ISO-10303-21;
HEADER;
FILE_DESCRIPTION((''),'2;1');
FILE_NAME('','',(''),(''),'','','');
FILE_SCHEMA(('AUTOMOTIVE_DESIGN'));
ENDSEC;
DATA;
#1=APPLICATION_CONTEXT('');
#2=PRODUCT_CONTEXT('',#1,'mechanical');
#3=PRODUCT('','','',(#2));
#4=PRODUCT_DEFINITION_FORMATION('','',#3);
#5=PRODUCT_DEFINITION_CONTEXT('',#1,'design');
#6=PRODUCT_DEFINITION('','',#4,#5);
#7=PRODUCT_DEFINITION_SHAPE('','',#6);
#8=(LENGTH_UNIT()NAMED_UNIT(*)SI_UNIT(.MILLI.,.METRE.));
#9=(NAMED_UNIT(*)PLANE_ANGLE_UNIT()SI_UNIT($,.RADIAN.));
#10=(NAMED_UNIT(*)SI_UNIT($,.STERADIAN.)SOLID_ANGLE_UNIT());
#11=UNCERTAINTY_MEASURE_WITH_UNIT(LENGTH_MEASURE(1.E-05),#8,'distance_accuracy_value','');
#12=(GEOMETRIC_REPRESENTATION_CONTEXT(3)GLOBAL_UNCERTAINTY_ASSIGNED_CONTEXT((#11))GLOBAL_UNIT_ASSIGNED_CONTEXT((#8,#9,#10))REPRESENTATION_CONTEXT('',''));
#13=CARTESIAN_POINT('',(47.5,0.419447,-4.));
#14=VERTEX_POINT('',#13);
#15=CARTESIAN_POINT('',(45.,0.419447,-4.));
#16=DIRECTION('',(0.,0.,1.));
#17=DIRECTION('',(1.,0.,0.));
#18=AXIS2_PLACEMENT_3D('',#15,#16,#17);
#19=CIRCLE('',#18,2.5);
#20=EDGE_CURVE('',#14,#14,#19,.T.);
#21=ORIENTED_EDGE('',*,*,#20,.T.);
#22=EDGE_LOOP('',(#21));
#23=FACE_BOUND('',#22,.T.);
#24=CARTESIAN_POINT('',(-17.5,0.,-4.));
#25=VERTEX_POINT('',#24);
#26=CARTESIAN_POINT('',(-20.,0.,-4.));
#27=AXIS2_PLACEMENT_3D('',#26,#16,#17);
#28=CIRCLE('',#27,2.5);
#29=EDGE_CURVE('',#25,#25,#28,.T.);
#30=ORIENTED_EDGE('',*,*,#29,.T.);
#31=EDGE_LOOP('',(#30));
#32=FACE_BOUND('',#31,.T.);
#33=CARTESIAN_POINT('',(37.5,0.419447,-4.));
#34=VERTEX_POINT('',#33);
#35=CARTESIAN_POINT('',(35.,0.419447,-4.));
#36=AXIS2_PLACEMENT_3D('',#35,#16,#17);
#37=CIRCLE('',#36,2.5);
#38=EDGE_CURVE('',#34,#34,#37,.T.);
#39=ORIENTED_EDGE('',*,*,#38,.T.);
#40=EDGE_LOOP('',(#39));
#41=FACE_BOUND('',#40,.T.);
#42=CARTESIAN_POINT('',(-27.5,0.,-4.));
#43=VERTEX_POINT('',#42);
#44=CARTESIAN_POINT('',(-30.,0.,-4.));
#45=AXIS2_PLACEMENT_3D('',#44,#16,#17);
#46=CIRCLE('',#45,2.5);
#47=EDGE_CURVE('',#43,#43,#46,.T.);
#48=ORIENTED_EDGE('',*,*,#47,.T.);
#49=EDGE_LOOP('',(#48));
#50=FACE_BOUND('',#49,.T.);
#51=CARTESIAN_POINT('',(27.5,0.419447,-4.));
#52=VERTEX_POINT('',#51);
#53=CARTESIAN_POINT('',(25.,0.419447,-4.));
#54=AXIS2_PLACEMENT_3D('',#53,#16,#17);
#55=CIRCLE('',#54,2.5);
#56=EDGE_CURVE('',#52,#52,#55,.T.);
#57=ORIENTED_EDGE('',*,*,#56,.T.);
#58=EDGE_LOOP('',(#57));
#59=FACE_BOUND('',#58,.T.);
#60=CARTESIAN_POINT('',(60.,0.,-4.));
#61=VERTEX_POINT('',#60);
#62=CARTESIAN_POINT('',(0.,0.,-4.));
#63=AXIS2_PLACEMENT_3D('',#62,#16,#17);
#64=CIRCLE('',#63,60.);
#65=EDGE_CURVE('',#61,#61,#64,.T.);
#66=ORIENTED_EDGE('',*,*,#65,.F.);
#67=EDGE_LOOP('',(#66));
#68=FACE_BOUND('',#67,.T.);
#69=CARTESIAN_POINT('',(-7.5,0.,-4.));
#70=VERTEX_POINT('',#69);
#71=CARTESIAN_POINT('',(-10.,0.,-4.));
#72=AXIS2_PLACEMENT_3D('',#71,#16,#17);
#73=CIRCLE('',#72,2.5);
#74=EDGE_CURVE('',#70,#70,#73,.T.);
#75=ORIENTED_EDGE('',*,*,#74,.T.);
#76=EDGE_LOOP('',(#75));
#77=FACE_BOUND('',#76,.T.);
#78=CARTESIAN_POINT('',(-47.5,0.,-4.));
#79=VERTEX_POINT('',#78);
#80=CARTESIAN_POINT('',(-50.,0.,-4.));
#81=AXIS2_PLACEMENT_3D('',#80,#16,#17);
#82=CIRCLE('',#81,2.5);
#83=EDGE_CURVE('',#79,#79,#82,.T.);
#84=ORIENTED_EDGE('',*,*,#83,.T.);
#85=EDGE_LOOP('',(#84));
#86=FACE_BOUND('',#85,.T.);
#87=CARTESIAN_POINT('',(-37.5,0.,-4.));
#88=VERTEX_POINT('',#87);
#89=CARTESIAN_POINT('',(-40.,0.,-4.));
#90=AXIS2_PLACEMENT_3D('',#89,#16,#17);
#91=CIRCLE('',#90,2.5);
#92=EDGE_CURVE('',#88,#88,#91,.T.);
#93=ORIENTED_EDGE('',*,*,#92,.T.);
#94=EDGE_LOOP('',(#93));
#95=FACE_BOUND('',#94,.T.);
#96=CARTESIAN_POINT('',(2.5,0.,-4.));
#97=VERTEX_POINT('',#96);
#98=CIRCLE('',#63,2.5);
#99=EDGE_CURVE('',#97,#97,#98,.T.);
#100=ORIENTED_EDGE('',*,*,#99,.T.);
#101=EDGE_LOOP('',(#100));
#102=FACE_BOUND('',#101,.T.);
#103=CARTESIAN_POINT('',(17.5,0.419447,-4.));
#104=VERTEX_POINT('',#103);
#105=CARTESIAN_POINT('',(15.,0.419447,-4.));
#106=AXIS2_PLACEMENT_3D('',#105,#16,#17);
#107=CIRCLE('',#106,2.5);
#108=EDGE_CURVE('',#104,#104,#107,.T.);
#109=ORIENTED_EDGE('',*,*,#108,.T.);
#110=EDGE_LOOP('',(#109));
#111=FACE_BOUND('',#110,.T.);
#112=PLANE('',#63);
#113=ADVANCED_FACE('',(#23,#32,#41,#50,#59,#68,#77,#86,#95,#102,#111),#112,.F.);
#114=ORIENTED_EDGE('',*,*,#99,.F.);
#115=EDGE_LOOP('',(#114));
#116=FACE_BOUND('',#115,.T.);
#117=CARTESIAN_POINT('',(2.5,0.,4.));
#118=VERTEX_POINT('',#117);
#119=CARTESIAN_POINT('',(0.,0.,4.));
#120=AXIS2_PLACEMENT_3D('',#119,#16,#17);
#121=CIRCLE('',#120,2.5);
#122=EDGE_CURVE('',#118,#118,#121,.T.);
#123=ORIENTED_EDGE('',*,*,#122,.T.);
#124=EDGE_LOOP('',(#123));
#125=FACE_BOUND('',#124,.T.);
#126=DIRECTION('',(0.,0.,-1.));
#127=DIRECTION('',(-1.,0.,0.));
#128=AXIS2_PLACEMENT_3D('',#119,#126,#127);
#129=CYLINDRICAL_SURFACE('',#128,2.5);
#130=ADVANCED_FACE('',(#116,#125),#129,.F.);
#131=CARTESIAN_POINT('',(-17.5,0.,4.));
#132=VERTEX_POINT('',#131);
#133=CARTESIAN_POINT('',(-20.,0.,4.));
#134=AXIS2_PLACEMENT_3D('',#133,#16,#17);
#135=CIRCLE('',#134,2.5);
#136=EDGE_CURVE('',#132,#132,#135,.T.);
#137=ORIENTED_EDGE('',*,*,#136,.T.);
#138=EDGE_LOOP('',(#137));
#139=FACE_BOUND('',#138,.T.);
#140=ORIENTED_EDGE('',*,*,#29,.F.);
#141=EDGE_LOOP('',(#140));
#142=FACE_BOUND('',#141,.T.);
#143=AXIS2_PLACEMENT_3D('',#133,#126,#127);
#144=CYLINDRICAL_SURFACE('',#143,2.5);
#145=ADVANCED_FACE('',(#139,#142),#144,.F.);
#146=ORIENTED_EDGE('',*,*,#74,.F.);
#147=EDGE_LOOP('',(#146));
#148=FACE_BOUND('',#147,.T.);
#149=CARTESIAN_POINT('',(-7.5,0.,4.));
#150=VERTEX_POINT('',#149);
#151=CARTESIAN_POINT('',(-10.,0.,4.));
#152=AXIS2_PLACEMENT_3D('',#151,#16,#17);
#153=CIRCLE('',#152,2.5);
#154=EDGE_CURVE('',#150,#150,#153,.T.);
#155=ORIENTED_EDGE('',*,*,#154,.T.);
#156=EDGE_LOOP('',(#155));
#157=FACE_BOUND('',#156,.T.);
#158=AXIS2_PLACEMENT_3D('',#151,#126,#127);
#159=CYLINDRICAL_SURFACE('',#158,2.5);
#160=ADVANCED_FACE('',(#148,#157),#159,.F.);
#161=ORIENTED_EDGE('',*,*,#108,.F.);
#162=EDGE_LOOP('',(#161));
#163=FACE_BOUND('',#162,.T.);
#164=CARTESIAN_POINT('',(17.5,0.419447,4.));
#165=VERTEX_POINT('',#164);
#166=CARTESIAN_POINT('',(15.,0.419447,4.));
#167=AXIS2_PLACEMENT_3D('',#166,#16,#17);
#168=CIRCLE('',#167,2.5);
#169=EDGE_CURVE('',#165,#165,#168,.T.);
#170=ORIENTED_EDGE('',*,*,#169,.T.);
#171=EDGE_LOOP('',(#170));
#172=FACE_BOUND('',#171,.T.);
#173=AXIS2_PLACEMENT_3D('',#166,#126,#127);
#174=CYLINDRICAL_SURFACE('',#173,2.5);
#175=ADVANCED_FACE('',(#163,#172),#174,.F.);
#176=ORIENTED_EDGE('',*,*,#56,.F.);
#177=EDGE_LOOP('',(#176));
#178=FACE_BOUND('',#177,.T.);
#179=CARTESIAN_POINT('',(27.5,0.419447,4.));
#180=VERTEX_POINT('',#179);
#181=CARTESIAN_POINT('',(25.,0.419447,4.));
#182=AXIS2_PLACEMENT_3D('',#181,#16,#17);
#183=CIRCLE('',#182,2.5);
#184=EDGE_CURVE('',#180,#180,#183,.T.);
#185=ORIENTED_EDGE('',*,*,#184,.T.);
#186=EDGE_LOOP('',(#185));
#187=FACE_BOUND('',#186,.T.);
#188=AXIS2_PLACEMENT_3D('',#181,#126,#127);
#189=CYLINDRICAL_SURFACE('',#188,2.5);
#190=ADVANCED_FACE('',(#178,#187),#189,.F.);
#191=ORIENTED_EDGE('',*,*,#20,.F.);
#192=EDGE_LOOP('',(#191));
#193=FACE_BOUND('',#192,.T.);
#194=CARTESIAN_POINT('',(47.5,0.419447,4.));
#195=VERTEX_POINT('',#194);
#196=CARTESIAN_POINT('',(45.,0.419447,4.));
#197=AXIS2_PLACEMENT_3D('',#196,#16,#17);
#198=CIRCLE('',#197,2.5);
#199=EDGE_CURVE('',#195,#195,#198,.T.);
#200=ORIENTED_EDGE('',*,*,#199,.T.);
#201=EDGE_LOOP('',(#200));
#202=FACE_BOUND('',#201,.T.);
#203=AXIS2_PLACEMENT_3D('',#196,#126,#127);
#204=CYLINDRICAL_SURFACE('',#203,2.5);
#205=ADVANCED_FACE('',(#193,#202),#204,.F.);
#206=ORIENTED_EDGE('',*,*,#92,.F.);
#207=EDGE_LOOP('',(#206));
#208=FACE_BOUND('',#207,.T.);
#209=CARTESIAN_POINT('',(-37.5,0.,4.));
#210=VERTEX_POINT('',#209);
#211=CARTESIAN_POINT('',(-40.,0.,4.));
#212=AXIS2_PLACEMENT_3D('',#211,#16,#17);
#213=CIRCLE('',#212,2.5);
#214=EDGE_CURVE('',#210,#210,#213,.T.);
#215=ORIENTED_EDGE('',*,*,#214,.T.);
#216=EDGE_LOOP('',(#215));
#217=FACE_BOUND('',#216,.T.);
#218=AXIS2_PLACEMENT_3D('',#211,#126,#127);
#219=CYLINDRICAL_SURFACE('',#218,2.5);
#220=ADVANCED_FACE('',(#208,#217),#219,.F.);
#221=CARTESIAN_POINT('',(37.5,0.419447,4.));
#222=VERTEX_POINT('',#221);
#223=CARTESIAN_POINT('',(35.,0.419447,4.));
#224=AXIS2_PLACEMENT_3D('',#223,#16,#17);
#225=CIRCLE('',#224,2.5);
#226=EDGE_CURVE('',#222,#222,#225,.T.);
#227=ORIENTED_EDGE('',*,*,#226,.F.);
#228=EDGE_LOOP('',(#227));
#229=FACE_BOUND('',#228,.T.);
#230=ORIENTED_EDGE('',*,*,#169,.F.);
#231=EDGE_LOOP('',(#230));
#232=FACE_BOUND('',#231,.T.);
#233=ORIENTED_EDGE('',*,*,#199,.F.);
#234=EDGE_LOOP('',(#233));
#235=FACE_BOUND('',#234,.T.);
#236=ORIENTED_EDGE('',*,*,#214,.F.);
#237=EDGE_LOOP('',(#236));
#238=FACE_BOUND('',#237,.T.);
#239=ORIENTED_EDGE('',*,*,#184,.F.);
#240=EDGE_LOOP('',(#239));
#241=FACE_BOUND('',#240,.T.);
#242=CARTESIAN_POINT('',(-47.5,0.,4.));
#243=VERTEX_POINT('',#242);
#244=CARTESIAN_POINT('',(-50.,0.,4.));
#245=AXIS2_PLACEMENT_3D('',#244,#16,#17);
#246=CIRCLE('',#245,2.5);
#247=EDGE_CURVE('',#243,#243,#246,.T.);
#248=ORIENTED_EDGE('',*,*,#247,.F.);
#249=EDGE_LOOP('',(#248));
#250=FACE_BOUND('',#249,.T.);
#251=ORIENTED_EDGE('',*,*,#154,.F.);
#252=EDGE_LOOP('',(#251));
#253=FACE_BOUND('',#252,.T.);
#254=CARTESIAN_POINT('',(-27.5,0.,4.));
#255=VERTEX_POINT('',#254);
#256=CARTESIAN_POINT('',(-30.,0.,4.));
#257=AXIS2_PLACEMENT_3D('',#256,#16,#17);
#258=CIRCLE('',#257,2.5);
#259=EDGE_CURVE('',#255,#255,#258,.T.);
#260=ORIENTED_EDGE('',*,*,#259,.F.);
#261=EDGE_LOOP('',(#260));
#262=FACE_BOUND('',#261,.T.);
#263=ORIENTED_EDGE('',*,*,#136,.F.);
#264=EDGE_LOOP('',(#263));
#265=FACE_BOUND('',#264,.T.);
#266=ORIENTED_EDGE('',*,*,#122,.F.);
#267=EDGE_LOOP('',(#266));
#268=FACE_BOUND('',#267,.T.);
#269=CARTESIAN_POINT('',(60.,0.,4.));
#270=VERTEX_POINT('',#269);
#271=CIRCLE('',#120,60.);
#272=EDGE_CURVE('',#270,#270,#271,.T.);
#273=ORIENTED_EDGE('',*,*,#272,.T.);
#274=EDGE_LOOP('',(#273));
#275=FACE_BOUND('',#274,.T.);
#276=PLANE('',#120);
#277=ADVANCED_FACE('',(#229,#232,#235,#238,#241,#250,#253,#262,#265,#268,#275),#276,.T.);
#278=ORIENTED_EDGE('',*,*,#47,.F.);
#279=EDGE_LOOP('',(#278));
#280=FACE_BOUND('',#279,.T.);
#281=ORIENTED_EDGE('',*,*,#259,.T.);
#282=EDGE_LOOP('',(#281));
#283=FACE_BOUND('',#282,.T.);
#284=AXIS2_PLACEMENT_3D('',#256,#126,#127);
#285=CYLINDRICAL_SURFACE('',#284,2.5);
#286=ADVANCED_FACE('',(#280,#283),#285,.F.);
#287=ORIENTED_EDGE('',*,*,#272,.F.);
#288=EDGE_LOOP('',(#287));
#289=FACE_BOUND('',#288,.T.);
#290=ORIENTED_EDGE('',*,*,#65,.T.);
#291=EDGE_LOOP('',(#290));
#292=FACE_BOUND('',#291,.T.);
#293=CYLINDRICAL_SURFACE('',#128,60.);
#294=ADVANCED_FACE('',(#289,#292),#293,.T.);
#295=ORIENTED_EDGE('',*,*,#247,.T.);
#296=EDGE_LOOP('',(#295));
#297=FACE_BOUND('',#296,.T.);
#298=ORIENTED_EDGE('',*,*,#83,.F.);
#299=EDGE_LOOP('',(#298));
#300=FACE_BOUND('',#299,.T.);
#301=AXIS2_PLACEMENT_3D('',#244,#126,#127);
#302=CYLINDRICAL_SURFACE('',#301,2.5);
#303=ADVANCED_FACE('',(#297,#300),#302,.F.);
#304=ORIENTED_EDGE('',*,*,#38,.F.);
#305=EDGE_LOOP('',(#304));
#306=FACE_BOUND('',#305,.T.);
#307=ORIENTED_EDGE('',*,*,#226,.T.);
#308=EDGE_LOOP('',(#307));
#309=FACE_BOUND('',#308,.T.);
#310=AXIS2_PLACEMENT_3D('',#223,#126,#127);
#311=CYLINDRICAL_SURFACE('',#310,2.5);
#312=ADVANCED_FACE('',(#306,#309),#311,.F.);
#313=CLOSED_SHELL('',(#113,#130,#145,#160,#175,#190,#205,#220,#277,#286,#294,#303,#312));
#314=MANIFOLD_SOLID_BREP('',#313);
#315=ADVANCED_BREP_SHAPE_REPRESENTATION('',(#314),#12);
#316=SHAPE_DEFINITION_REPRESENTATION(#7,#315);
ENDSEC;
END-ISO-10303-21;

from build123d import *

# Parameters (mm, degrees)
SKETCH1_R           = 60
SKETCH1_R_2         = 2.5
BOSS_EXTRUDE1_DEPTH = 4


with BuildPart() as part:
    # Sketch1 → Boss-Extrude1 (new, symmetric)
    with BuildSketch(Plane.XY):
        Circle(SKETCH1_R)
        Circle(SKETCH1_R_2, mode=Mode.SUBTRACT)
        with Locations((-10, 0)):
            Circle(SKETCH1_R_2, mode=Mode.SUBTRACT)
        with Locations((-20, 0)):
            Circle(SKETCH1_R_2, mode=Mode.SUBTRACT)
        with Locations((-30, 0)):
            Circle(SKETCH1_R_2, mode=Mode.SUBTRACT)
        with Locations((-40, 0)):
            Circle(SKETCH1_R_2, mode=Mode.SUBTRACT)
        with Locations((-50, 0)):
            Circle(SKETCH1_R_2, mode=Mode.SUBTRACT)
        with Locations((45, 0.419447228)):
            Circle(SKETCH1_R_2, mode=Mode.SUBTRACT)
        with Locations((35, 0.419447228)):
            Circle(SKETCH1_R_2, mode=Mode.SUBTRACT)
        with Locations((25, 0.419447228)):
            Circle(SKETCH1_R_2, mode=Mode.SUBTRACT)
        with Locations((15, 0.419447228)):
            Circle(SKETCH1_R_2, mode=Mode.SUBTRACT)
    extrude(amount=BOSS_EXTRUDE1_DEPTH, both=True)


solid = part.part
